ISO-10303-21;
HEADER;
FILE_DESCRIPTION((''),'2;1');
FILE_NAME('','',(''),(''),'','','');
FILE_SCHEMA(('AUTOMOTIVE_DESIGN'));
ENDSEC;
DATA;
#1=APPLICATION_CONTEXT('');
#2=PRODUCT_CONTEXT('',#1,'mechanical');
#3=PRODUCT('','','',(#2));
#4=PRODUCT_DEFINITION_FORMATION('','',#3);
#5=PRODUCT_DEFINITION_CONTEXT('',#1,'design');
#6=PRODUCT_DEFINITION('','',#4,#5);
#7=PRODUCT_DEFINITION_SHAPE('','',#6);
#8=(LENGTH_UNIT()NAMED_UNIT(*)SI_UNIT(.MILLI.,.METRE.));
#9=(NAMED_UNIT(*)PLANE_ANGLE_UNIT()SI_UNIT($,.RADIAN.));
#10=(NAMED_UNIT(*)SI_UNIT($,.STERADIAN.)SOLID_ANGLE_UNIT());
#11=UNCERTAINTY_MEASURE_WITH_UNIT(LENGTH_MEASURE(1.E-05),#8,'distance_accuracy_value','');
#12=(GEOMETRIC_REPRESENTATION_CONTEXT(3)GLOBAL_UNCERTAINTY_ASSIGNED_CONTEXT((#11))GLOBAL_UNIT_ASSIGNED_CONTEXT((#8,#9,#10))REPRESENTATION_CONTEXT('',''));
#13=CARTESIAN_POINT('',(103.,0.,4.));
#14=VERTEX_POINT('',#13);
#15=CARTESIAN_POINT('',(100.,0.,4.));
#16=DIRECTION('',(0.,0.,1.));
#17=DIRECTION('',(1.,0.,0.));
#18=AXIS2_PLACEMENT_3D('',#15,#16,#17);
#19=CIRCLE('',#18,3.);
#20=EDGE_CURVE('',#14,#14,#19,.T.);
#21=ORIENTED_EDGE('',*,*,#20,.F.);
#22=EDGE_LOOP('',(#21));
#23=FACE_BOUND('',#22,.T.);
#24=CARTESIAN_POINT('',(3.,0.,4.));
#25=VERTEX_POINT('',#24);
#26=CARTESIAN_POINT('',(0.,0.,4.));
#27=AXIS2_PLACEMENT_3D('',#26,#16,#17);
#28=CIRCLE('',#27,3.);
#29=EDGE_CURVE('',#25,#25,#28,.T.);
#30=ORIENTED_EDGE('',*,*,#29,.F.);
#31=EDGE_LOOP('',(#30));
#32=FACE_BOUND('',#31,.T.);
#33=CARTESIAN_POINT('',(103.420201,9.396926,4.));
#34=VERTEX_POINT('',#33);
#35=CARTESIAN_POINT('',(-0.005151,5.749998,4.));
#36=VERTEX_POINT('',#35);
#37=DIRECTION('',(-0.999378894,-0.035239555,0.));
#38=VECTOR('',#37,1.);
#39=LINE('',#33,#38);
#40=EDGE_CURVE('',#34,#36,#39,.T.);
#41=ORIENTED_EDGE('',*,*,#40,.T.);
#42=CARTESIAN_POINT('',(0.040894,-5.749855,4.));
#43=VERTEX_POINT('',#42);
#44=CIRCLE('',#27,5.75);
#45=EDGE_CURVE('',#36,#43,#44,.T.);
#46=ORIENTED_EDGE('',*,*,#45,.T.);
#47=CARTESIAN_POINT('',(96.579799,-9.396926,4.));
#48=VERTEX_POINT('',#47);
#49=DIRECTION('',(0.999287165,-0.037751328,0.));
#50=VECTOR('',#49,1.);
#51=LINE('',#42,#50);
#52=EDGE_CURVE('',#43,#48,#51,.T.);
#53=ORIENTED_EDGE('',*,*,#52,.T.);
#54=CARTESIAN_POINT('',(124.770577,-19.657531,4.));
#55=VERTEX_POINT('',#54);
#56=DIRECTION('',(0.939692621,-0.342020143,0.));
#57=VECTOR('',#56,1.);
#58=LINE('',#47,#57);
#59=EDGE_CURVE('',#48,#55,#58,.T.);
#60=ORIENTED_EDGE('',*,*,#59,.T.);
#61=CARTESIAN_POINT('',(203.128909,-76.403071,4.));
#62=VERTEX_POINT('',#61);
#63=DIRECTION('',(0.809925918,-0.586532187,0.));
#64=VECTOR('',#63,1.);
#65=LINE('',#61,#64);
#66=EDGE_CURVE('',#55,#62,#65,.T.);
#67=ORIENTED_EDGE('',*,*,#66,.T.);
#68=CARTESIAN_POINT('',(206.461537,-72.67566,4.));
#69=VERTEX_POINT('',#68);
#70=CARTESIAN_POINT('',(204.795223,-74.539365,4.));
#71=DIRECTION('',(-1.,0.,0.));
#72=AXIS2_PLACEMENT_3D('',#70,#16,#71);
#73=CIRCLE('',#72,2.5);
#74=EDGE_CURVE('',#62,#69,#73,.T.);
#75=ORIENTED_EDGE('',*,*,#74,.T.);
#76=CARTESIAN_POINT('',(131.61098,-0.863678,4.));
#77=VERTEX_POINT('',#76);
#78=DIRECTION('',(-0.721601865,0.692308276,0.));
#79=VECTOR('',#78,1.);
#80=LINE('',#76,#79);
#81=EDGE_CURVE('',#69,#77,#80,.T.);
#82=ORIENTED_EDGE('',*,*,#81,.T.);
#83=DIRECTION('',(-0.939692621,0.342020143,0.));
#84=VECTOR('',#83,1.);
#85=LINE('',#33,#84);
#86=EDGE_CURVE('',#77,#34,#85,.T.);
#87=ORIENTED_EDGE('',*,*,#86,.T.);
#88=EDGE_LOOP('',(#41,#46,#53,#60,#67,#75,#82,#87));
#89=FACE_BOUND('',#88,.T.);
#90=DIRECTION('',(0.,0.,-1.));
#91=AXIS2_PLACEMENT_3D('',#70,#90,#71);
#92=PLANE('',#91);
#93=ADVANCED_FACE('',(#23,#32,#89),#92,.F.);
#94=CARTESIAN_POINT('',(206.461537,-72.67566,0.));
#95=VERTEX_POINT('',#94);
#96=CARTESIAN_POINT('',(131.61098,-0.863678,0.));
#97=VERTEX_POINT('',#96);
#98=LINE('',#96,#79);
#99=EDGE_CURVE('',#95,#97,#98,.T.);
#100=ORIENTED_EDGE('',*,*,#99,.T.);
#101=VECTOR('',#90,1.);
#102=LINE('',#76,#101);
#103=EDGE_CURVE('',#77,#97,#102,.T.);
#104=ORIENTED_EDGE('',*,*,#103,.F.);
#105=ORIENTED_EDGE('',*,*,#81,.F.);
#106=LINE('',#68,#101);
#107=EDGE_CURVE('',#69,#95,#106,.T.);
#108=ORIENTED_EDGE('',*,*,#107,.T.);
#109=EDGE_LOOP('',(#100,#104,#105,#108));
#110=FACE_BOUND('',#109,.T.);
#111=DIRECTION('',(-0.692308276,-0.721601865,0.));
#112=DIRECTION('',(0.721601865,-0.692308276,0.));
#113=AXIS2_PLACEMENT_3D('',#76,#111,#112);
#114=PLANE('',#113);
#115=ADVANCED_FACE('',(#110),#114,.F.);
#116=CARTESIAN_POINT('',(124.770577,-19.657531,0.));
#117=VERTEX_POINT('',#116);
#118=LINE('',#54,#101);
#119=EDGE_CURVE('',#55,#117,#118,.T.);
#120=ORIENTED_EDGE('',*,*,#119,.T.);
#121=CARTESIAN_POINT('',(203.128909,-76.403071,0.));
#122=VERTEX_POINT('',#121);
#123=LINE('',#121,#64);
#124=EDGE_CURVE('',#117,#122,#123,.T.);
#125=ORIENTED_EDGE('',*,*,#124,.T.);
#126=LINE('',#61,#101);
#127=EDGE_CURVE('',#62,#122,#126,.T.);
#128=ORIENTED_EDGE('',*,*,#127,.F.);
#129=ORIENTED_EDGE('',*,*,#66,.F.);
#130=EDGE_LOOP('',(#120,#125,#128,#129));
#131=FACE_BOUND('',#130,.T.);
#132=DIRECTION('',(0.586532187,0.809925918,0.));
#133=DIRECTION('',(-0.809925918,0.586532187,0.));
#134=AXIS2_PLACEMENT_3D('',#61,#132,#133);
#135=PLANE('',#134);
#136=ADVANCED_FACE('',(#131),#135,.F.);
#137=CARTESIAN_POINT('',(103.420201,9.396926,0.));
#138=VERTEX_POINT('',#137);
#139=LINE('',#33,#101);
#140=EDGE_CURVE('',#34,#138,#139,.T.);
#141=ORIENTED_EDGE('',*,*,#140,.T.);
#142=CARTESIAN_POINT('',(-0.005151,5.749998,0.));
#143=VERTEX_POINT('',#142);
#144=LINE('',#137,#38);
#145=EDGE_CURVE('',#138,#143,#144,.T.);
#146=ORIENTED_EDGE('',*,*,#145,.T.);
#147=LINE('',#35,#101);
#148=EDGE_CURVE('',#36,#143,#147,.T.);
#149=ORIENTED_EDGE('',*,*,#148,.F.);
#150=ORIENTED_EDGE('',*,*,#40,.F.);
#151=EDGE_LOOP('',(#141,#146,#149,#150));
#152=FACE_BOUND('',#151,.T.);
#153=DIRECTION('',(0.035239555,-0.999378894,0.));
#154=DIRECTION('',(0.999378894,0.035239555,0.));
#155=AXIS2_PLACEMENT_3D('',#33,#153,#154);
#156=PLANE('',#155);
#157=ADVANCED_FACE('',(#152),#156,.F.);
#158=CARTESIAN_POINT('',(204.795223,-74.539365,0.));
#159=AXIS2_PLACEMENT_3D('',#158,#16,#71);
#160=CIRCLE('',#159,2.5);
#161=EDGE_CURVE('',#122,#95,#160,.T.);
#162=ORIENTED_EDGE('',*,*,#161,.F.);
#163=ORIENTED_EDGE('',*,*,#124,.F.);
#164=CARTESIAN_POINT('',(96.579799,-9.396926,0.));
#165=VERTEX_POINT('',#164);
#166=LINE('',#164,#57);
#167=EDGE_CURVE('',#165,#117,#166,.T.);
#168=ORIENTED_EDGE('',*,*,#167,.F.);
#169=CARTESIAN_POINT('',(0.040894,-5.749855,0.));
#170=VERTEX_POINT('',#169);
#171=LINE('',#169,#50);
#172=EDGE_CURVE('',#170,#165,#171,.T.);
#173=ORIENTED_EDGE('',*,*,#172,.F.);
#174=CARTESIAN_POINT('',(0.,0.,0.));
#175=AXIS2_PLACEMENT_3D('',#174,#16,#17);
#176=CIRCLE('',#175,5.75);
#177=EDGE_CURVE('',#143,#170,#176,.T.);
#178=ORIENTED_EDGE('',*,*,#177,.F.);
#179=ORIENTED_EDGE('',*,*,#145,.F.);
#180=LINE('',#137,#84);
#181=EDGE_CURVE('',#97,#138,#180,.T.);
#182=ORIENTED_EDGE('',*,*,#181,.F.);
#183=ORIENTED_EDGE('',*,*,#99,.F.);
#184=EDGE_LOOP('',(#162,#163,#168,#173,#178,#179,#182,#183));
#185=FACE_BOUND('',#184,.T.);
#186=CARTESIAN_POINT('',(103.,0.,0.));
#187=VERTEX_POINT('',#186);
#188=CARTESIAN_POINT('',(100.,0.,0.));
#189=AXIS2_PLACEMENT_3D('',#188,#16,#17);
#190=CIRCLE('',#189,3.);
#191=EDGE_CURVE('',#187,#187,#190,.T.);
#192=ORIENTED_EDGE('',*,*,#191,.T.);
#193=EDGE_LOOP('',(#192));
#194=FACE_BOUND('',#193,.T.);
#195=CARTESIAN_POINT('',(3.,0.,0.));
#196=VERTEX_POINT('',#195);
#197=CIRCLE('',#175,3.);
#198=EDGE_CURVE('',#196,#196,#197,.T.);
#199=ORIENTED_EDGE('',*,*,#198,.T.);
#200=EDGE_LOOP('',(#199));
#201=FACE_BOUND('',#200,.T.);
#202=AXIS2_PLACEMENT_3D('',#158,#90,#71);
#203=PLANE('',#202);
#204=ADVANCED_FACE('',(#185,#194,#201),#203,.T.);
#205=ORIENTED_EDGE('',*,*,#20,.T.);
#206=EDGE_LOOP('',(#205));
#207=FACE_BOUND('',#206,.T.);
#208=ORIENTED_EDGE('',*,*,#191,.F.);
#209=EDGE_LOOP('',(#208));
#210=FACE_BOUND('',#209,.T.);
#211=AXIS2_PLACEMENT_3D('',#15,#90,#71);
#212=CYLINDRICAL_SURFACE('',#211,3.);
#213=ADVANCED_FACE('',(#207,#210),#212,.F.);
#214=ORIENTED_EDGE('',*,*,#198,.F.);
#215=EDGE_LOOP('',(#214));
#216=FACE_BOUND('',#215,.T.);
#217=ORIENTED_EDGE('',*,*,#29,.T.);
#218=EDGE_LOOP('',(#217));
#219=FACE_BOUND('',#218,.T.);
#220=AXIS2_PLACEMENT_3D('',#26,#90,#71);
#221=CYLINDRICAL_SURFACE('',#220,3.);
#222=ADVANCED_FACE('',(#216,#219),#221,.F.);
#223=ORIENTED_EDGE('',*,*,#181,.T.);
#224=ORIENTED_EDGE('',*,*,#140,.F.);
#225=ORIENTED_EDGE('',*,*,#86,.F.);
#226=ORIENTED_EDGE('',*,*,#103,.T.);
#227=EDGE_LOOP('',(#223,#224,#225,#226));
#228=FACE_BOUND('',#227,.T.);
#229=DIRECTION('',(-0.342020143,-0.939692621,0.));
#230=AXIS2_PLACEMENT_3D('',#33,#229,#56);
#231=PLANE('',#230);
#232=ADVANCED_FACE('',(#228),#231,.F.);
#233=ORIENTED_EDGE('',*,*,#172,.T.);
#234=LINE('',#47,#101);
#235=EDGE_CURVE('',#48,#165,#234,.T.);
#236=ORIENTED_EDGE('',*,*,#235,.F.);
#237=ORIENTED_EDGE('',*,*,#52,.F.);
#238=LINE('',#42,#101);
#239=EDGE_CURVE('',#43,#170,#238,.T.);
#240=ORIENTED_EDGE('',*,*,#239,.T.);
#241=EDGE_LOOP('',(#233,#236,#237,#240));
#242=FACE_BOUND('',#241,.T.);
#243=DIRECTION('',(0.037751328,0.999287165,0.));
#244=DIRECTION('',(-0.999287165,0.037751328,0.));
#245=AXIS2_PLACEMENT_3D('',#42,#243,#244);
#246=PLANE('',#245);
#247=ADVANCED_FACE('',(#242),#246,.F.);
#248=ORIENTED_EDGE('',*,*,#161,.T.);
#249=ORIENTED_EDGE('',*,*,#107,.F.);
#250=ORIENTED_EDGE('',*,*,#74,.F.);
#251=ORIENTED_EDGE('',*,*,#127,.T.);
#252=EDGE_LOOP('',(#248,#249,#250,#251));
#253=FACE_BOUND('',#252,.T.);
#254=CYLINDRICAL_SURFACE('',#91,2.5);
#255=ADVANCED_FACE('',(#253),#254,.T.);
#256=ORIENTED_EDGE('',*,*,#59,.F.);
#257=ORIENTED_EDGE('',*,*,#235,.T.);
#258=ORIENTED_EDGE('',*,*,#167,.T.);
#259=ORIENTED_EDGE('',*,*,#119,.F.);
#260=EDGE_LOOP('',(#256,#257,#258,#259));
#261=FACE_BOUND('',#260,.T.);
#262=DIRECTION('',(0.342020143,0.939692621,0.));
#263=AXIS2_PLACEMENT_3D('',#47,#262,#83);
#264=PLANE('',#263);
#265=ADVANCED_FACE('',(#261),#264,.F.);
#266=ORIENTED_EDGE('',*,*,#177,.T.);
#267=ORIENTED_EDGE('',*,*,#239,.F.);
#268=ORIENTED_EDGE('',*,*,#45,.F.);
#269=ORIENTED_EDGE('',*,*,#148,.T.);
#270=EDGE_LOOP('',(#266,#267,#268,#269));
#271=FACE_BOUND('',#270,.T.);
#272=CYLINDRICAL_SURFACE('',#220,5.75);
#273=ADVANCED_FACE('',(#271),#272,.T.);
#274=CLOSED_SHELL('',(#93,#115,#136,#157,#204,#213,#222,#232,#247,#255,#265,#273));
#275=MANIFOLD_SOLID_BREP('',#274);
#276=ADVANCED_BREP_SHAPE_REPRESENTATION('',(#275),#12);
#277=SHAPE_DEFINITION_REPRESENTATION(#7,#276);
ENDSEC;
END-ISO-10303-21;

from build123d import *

# Parameters (mm, degrees)
SKETCH1_R      = 3
EXTRUDE1_DEPTH = 4


with BuildPart() as part:
    # Sketch1 → Extrude1 (new body)
    with BuildSketch(Plane.XY):
        with BuildLine():
            Line((96.579798567, -9.396926208), (124.77057719, -19.657530508))
            Line((124.77057719, -19.657530508), (203.128908943, -76.403070631))
            ThreePointArc((203.128908943, -76.403070631), (206.658928298, -76.205679261), (206.461536928, -72.675659906))
            Line((206.461536928, -72.675659906), (131.610980057, -0.863678092))
            Line((131.610980057, -0.863678092), (103.420201433, 9.396926208))
            Line((103.420201433, 9.396926208), (-0.005150596, 5.749997693))
            ThreePointArc((-0.005150596, 5.749997693), (-5.74995391, -0.023022325), (0.040893831, -5.74985458))
            Line((0.040893831, -5.74985458), (96.579798567, -9.396926208))
        make_face()
        Circle(SKETCH1_R, mode=Mode.SUBTRACT)
        with Locations((100, 0)):
            Circle(SKETCH1_R, mode=Mode.SUBTRACT)
    extrude(amount=EXTRUDE1_DEPTH)


solid = part.part
